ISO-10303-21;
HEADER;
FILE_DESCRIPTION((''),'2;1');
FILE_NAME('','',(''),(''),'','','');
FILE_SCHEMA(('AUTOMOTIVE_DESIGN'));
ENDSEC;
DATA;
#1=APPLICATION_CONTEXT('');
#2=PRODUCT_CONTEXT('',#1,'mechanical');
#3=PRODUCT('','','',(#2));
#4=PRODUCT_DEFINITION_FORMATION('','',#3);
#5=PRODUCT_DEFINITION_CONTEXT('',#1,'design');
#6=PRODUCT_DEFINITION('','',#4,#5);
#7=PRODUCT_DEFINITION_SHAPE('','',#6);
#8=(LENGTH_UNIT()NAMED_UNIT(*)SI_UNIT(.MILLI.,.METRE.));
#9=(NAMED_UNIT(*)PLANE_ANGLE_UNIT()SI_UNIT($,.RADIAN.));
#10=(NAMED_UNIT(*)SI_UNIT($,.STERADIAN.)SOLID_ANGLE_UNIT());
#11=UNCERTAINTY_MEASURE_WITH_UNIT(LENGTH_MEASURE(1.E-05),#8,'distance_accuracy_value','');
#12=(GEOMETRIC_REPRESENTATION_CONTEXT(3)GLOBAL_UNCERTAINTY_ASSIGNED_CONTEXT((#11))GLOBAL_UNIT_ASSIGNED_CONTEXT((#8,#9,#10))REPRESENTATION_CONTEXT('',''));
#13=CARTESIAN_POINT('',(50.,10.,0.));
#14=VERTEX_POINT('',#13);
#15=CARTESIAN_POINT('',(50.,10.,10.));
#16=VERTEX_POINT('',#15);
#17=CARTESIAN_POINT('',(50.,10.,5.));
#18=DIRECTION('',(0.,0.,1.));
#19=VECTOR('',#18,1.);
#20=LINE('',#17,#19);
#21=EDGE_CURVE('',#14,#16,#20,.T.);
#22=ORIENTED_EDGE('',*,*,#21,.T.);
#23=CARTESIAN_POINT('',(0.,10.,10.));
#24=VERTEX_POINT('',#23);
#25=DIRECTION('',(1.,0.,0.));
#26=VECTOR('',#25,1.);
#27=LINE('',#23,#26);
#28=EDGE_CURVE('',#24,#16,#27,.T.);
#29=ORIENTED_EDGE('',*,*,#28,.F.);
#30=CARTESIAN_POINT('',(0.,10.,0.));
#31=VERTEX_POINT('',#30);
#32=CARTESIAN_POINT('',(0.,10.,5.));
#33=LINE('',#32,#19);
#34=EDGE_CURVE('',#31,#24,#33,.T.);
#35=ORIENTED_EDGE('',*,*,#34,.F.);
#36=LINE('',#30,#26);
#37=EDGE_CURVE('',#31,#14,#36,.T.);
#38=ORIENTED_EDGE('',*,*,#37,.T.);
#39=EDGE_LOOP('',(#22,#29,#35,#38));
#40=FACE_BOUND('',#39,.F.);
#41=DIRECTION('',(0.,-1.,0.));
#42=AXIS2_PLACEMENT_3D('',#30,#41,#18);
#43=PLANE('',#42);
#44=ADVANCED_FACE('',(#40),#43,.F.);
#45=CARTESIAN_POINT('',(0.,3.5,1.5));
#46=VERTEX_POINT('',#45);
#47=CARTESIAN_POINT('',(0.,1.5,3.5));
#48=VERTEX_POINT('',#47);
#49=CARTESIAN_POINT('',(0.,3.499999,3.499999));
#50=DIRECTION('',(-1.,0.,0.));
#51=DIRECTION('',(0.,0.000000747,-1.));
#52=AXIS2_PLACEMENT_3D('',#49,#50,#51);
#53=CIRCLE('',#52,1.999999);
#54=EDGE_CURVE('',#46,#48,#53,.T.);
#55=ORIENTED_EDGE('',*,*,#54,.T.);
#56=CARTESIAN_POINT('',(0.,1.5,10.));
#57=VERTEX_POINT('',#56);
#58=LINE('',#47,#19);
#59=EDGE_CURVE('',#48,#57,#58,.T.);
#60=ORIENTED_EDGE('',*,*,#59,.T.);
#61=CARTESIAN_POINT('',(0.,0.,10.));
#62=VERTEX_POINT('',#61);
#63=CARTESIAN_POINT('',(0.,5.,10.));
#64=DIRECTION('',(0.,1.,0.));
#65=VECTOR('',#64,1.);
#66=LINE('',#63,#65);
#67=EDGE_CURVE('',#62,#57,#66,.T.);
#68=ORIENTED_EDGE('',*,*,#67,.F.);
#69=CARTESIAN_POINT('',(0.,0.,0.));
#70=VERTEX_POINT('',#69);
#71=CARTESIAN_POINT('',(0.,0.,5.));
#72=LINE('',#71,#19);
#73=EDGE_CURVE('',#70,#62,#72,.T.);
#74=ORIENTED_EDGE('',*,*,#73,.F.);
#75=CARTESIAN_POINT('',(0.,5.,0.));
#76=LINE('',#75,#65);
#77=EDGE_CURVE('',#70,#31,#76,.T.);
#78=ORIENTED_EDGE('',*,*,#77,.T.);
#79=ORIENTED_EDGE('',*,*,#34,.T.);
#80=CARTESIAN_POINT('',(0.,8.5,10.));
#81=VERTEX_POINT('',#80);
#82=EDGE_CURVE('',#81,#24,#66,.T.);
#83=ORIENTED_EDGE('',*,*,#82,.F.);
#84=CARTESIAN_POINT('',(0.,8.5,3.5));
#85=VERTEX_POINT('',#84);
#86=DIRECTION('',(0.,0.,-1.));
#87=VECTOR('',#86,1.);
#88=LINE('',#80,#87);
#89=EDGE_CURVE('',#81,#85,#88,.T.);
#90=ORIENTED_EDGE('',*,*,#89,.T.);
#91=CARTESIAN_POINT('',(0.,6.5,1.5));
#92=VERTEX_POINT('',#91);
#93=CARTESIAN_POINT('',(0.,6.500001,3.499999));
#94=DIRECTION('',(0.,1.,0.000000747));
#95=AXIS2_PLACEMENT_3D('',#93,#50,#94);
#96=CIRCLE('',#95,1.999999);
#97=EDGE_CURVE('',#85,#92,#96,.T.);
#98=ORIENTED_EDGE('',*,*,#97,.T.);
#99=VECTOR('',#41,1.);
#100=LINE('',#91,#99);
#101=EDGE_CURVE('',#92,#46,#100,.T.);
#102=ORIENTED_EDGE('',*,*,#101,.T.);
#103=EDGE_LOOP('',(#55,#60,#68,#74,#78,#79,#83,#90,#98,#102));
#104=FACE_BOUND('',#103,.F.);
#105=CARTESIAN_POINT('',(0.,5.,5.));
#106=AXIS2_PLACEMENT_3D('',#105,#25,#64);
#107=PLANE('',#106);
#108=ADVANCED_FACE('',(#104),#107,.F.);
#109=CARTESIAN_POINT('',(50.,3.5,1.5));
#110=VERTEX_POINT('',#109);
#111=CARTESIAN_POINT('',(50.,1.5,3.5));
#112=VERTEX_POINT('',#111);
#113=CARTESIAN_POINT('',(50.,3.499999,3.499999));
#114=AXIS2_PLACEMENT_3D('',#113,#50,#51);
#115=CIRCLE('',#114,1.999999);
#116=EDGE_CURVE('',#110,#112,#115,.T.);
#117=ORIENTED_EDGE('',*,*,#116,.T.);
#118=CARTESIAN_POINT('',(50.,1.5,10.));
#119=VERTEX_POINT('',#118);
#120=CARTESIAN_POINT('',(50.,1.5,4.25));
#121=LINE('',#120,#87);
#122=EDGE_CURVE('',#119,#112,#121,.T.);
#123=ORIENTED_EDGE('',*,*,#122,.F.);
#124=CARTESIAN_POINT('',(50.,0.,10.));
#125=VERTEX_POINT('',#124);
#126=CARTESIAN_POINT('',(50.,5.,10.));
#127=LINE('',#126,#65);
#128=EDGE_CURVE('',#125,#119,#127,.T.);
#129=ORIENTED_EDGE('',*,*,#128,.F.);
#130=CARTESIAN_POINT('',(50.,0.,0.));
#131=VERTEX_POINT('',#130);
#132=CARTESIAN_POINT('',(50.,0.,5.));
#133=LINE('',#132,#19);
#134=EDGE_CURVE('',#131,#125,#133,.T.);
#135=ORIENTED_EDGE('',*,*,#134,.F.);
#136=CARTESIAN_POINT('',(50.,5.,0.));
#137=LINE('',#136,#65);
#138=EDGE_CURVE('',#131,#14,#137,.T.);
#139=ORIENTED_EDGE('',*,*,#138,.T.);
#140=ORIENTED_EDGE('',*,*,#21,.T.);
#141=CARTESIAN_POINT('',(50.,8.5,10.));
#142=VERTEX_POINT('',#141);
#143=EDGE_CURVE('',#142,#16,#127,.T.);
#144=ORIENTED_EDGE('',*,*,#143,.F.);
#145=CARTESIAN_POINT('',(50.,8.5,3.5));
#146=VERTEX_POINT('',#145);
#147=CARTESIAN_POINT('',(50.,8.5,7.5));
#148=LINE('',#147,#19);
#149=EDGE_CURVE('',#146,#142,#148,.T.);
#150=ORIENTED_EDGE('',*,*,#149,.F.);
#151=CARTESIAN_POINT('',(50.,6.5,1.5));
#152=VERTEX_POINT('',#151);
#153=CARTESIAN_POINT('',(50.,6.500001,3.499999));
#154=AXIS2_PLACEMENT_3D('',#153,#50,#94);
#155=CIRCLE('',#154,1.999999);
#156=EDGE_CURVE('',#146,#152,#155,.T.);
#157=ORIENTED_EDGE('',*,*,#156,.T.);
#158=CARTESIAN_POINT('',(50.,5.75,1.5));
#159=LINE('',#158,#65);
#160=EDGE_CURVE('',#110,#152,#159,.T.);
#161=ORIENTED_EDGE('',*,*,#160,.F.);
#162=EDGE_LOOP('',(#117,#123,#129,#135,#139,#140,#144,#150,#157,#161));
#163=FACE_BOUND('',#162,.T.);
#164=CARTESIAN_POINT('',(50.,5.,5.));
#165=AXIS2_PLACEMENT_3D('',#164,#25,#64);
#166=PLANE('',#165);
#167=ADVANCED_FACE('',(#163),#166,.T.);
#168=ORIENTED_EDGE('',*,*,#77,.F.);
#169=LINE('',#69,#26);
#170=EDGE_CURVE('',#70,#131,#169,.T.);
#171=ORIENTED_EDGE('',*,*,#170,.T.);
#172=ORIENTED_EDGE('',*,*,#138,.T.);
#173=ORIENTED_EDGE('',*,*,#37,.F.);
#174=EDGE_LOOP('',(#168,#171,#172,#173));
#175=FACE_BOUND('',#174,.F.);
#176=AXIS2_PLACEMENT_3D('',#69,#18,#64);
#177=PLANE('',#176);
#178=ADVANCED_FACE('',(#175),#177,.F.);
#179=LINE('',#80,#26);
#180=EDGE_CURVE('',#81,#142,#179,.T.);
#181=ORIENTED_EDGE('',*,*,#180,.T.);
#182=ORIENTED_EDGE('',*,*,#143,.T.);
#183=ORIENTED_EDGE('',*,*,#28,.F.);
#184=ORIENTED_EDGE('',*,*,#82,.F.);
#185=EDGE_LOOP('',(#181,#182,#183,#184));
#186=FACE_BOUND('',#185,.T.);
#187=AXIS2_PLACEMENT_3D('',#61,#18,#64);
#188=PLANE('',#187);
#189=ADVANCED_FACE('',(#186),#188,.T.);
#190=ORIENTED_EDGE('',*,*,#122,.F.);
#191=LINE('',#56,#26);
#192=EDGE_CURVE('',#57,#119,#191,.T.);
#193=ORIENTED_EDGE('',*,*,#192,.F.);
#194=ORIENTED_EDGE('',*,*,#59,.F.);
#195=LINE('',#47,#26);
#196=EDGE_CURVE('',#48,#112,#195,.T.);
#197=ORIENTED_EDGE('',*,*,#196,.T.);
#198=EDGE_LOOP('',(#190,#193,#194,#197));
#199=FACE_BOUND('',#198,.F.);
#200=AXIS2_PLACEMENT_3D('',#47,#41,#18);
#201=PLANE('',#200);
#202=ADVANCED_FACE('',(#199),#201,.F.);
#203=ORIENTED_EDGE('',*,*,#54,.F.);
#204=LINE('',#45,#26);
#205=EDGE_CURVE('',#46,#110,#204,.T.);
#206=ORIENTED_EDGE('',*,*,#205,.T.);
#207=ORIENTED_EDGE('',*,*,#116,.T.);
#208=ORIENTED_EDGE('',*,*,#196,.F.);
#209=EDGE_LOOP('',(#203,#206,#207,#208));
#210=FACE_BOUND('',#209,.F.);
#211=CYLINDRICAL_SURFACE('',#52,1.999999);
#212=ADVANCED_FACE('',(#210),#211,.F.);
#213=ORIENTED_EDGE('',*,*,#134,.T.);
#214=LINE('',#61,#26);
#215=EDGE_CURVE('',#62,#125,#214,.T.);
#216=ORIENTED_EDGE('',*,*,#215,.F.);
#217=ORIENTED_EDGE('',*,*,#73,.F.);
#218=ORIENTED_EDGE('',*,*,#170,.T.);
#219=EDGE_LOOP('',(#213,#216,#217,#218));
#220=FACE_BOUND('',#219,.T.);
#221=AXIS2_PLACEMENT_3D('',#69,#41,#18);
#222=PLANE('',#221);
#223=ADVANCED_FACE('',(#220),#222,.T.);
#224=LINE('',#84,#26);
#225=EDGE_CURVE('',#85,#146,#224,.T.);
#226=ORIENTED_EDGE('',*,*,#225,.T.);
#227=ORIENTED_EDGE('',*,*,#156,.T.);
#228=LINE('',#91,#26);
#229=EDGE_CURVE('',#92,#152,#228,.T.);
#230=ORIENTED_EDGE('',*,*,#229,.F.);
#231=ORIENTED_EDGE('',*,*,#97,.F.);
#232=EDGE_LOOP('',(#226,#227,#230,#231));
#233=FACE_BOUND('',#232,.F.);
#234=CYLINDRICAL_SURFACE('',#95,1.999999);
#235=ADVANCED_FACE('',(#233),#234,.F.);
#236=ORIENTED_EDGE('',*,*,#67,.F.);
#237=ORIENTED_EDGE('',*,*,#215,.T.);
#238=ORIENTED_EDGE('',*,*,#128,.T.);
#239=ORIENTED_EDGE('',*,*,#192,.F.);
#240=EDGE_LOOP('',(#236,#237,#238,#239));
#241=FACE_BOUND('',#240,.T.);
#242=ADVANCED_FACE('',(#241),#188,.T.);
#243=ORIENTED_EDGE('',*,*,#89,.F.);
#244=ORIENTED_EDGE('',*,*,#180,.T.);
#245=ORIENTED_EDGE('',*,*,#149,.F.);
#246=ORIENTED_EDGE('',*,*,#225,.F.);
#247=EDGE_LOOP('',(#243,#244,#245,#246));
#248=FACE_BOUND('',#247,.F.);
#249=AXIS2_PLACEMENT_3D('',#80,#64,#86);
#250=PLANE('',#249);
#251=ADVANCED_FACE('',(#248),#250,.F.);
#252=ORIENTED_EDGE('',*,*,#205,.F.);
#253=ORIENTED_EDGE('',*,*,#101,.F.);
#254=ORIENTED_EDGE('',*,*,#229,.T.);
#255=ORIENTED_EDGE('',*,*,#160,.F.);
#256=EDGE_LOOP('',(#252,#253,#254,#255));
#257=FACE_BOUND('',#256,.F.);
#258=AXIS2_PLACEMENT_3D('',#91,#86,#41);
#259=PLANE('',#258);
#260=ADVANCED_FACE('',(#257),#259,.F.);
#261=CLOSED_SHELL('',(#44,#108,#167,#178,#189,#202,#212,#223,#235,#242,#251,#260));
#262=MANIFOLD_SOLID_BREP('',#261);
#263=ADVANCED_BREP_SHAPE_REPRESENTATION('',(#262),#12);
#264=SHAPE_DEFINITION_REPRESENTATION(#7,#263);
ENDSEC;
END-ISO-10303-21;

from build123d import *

# Parameters (mm, degrees)
SKETCH_W     = 10
SKETCH_H     = 10
PAD_DEPTH    = 50
POCKET_DEPTH = 50.001


with BuildPart() as part:
    # Sketch → Pad (new body)
    with BuildSketch(Plane.YZ):
        with Locations((5, 5)):
            Rectangle(SKETCH_W, SKETCH_H)
    extrude(amount=PAD_DEPTH)

    # Sketch001 (on Face5 of Pad) → Pocket (cut, through all)
    with BuildSketch(Plane(origin=(0, 0, 0), x_dir=(0, 1, 0), z_dir=(-1, 0, 0))):
        with BuildLine():
            Line((8.5, -10), (8.5, -3.5))
            ThreePointArc((8.5, -3.5), (7.914214, -2.085786), (6.5, -1.5))
            Line((6.5, -1.5), (3.5, -1.5))
            ThreePointArc((3.5, -1.5), (2.085786, -2.085786), (1.5, -3.5))
            Line((1.5, -3.5), (1.5, -10))
            Line((1.5, -10), (8.5, -10))
        make_face()
    extrude(amount=-POCKET_DEPTH, mode=Mode.SUBTRACT)


solid = part.part
